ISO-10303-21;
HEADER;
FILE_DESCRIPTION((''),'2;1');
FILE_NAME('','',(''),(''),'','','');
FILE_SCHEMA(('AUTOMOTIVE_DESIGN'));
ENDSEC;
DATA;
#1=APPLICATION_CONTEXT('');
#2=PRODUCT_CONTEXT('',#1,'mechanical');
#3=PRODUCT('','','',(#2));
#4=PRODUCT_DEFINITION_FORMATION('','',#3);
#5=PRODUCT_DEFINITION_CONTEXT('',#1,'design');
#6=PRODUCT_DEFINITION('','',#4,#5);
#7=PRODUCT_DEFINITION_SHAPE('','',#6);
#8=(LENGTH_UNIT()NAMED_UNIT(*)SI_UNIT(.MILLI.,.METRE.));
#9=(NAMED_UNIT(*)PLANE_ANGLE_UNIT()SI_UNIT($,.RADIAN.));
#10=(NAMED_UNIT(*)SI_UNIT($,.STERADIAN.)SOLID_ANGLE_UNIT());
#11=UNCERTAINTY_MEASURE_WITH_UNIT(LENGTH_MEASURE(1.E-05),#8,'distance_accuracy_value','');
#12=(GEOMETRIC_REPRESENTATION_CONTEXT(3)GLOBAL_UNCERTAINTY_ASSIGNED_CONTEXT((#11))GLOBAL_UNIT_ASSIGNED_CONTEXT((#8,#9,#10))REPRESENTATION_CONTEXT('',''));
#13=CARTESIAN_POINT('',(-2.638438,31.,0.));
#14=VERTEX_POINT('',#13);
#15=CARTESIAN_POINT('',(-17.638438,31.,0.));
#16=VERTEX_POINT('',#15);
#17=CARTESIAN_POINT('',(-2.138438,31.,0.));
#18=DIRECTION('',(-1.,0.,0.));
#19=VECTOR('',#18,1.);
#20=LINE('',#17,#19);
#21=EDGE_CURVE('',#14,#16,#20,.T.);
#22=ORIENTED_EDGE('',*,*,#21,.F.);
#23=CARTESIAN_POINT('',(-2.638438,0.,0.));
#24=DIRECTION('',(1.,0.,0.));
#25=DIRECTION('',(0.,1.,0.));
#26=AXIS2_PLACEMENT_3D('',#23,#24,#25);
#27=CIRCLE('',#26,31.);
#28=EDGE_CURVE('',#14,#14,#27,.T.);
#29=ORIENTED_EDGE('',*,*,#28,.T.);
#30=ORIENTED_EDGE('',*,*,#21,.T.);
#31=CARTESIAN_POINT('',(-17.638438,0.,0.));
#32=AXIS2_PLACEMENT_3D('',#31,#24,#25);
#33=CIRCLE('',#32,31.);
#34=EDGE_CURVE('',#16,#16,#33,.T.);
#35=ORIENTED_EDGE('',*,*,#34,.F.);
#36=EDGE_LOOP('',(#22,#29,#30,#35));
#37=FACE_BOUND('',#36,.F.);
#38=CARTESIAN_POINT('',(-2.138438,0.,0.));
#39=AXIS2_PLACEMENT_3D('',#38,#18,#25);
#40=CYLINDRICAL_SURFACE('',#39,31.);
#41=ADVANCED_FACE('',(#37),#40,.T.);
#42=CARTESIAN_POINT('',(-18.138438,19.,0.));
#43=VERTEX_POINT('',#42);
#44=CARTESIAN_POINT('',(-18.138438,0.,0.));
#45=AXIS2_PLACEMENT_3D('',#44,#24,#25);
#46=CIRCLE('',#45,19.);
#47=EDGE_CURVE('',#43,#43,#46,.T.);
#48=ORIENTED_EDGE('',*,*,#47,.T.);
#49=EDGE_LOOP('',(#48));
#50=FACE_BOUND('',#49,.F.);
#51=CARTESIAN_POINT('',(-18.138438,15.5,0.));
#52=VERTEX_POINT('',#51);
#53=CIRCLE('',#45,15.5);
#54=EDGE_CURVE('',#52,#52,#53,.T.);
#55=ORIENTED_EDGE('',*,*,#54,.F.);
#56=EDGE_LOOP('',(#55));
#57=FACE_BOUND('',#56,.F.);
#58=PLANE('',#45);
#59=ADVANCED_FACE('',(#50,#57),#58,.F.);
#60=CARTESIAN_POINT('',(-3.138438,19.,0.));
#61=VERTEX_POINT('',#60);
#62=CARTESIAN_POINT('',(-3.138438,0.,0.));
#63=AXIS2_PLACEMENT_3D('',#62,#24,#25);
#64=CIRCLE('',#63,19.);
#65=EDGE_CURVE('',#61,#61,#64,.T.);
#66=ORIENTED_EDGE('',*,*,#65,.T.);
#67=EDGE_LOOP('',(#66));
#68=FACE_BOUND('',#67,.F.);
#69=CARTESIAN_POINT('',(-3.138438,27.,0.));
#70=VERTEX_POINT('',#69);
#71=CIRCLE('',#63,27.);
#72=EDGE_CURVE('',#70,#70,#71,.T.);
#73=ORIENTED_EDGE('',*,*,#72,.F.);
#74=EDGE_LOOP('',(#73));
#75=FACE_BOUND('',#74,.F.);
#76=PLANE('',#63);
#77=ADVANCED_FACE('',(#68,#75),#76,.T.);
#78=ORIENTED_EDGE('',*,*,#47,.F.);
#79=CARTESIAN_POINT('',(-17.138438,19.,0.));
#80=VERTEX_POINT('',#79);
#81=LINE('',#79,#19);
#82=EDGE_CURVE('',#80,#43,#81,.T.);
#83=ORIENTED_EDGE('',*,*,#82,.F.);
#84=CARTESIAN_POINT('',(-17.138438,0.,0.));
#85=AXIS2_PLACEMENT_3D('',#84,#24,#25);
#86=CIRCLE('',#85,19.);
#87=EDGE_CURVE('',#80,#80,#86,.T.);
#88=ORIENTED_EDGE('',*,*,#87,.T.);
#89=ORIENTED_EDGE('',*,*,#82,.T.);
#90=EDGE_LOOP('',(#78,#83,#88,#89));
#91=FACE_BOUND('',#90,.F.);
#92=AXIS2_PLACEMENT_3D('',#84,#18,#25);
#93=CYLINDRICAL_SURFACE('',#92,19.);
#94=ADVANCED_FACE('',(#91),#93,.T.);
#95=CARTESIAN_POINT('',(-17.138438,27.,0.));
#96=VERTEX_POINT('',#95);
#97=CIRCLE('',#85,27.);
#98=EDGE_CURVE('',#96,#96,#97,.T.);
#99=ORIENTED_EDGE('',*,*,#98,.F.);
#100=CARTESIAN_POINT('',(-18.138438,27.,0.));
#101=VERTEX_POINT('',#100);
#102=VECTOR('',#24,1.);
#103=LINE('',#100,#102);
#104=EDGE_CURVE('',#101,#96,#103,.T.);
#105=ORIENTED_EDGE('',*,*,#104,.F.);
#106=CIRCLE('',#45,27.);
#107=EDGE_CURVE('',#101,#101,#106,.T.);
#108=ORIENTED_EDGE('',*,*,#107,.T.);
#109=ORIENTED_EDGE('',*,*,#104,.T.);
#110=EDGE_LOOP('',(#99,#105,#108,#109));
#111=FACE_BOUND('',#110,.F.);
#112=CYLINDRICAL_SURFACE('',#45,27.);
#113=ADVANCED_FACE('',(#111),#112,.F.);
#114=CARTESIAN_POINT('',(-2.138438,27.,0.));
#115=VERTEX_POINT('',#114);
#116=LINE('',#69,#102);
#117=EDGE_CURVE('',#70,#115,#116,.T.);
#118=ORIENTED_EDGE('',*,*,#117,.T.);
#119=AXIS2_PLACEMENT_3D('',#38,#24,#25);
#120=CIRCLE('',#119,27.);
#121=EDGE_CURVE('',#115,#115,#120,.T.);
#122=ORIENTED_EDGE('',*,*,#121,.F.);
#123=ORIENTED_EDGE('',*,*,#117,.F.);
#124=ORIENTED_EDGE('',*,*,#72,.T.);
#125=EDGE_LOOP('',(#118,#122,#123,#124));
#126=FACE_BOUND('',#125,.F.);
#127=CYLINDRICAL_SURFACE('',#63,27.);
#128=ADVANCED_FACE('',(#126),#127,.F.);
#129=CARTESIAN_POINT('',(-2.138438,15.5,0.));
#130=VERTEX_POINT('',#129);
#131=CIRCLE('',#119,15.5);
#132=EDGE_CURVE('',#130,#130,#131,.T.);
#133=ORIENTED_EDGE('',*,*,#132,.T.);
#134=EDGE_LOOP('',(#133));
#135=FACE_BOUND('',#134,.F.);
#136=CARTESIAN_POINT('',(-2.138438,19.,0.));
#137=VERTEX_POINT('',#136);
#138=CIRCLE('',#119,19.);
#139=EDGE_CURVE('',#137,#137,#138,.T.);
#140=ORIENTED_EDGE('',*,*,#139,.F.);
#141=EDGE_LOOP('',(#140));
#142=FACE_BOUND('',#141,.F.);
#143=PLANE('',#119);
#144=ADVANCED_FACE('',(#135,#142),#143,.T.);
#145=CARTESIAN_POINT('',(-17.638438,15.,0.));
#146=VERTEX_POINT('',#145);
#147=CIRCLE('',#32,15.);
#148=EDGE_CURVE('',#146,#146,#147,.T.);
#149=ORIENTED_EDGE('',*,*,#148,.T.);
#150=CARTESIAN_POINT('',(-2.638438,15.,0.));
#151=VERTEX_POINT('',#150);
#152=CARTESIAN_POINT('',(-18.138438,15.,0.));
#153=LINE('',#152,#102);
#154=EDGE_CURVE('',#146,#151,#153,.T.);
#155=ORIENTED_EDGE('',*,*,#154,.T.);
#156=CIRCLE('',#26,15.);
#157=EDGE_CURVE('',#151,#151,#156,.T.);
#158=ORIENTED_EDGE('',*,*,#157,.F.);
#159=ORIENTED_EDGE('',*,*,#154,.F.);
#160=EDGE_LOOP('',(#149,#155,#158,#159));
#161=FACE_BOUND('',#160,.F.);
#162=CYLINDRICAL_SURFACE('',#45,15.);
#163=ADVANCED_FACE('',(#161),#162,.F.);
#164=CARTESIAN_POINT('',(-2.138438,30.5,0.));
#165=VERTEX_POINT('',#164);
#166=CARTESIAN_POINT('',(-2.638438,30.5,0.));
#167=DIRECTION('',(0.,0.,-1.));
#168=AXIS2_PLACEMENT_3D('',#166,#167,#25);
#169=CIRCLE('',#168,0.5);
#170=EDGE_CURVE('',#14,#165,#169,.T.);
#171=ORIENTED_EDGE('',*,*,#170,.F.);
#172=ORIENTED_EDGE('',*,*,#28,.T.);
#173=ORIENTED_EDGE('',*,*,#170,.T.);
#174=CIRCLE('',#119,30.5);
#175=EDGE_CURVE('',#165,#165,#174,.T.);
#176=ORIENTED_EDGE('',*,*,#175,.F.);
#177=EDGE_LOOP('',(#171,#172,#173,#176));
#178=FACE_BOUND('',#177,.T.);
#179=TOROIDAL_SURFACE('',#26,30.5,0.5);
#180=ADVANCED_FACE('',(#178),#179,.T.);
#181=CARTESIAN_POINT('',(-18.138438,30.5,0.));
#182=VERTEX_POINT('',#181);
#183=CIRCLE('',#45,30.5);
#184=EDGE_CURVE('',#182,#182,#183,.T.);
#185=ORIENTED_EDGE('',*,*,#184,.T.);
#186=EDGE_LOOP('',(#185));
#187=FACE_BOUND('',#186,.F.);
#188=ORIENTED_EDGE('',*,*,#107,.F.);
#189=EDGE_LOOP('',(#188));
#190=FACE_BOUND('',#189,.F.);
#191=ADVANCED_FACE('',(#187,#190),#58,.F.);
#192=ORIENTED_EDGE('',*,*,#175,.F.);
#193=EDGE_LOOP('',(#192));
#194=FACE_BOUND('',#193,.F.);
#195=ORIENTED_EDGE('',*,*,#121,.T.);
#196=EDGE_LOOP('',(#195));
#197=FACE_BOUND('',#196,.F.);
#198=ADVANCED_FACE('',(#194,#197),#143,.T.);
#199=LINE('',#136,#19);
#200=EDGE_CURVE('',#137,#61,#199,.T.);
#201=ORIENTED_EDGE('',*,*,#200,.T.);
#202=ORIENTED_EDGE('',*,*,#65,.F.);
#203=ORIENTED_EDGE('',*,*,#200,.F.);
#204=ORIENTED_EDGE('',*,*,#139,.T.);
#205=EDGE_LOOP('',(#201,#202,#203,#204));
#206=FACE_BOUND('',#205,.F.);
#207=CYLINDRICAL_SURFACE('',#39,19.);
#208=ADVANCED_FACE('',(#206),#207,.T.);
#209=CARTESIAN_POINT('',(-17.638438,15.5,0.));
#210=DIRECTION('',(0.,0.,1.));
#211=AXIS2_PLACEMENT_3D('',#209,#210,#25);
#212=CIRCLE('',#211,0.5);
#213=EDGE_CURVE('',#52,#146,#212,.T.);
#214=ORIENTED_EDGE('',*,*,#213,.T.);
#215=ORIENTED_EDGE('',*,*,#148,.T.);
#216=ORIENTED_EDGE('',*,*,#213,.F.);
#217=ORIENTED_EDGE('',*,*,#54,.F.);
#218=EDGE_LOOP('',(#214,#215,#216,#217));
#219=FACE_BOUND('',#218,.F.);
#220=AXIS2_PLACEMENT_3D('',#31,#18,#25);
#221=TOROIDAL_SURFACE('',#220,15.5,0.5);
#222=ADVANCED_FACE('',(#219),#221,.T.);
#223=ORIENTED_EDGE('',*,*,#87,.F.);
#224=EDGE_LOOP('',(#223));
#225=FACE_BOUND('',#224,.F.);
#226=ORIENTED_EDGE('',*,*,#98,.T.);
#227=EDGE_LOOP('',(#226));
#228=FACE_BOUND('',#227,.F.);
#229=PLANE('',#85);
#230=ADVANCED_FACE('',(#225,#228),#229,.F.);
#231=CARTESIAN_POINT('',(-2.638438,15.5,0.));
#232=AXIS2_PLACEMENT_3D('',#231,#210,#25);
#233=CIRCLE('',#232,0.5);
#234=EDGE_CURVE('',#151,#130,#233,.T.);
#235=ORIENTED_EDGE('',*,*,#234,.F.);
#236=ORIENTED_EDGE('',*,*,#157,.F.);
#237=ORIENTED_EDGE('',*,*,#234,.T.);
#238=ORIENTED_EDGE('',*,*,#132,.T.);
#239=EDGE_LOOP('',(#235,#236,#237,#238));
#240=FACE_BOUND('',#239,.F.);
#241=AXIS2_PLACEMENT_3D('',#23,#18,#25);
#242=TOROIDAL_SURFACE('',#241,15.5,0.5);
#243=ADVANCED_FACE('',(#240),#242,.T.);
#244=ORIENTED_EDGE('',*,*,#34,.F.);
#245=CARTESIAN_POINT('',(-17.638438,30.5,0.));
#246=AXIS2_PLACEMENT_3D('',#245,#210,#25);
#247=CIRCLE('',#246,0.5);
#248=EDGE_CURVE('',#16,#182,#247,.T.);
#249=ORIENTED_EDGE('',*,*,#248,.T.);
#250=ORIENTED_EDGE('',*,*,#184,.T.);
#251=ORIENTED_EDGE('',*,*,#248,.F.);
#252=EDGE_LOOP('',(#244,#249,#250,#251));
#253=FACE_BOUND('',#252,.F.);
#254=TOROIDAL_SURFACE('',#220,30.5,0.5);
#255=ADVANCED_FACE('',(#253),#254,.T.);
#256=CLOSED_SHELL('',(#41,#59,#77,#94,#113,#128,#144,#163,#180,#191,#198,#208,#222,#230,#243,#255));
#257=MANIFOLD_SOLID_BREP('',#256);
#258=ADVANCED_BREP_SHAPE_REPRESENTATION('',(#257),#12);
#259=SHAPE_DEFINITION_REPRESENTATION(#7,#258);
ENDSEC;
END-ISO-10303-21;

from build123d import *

# Parameters (mm, degrees)
FILLET_R = 0.5


with BuildPart() as part:
    # Sketch → Revolution (revolve)
    with BuildSketch(Plane.XY):
        Polygon((-2.138438, 31), (-18.138438, 31), (-18.138438, 27), (-17.138438, 27), (-17.138438, 19), (-18.138438, 19), (-18.138438, 15), (-2.138438, 15), (-2.138438, 19), (-3.138438, 19), (-3.138438, 27), (-2.138438, 27), align=None)
    revolve(axis=Axis((0, 0, 0), (1, 0, 0)))

    # Fillet
    fillet_edges = [part.edges().sort_by_distance(p)[0] for p in [
        (-2.138438, -31, 0),
        (-2.138438, -15, 0),
        (-18.138438, -31, 0),
        (-18.138438, -15, 0),
    ]]
    fillet(fillet_edges, radius=FILLET_R)


solid = part.part
